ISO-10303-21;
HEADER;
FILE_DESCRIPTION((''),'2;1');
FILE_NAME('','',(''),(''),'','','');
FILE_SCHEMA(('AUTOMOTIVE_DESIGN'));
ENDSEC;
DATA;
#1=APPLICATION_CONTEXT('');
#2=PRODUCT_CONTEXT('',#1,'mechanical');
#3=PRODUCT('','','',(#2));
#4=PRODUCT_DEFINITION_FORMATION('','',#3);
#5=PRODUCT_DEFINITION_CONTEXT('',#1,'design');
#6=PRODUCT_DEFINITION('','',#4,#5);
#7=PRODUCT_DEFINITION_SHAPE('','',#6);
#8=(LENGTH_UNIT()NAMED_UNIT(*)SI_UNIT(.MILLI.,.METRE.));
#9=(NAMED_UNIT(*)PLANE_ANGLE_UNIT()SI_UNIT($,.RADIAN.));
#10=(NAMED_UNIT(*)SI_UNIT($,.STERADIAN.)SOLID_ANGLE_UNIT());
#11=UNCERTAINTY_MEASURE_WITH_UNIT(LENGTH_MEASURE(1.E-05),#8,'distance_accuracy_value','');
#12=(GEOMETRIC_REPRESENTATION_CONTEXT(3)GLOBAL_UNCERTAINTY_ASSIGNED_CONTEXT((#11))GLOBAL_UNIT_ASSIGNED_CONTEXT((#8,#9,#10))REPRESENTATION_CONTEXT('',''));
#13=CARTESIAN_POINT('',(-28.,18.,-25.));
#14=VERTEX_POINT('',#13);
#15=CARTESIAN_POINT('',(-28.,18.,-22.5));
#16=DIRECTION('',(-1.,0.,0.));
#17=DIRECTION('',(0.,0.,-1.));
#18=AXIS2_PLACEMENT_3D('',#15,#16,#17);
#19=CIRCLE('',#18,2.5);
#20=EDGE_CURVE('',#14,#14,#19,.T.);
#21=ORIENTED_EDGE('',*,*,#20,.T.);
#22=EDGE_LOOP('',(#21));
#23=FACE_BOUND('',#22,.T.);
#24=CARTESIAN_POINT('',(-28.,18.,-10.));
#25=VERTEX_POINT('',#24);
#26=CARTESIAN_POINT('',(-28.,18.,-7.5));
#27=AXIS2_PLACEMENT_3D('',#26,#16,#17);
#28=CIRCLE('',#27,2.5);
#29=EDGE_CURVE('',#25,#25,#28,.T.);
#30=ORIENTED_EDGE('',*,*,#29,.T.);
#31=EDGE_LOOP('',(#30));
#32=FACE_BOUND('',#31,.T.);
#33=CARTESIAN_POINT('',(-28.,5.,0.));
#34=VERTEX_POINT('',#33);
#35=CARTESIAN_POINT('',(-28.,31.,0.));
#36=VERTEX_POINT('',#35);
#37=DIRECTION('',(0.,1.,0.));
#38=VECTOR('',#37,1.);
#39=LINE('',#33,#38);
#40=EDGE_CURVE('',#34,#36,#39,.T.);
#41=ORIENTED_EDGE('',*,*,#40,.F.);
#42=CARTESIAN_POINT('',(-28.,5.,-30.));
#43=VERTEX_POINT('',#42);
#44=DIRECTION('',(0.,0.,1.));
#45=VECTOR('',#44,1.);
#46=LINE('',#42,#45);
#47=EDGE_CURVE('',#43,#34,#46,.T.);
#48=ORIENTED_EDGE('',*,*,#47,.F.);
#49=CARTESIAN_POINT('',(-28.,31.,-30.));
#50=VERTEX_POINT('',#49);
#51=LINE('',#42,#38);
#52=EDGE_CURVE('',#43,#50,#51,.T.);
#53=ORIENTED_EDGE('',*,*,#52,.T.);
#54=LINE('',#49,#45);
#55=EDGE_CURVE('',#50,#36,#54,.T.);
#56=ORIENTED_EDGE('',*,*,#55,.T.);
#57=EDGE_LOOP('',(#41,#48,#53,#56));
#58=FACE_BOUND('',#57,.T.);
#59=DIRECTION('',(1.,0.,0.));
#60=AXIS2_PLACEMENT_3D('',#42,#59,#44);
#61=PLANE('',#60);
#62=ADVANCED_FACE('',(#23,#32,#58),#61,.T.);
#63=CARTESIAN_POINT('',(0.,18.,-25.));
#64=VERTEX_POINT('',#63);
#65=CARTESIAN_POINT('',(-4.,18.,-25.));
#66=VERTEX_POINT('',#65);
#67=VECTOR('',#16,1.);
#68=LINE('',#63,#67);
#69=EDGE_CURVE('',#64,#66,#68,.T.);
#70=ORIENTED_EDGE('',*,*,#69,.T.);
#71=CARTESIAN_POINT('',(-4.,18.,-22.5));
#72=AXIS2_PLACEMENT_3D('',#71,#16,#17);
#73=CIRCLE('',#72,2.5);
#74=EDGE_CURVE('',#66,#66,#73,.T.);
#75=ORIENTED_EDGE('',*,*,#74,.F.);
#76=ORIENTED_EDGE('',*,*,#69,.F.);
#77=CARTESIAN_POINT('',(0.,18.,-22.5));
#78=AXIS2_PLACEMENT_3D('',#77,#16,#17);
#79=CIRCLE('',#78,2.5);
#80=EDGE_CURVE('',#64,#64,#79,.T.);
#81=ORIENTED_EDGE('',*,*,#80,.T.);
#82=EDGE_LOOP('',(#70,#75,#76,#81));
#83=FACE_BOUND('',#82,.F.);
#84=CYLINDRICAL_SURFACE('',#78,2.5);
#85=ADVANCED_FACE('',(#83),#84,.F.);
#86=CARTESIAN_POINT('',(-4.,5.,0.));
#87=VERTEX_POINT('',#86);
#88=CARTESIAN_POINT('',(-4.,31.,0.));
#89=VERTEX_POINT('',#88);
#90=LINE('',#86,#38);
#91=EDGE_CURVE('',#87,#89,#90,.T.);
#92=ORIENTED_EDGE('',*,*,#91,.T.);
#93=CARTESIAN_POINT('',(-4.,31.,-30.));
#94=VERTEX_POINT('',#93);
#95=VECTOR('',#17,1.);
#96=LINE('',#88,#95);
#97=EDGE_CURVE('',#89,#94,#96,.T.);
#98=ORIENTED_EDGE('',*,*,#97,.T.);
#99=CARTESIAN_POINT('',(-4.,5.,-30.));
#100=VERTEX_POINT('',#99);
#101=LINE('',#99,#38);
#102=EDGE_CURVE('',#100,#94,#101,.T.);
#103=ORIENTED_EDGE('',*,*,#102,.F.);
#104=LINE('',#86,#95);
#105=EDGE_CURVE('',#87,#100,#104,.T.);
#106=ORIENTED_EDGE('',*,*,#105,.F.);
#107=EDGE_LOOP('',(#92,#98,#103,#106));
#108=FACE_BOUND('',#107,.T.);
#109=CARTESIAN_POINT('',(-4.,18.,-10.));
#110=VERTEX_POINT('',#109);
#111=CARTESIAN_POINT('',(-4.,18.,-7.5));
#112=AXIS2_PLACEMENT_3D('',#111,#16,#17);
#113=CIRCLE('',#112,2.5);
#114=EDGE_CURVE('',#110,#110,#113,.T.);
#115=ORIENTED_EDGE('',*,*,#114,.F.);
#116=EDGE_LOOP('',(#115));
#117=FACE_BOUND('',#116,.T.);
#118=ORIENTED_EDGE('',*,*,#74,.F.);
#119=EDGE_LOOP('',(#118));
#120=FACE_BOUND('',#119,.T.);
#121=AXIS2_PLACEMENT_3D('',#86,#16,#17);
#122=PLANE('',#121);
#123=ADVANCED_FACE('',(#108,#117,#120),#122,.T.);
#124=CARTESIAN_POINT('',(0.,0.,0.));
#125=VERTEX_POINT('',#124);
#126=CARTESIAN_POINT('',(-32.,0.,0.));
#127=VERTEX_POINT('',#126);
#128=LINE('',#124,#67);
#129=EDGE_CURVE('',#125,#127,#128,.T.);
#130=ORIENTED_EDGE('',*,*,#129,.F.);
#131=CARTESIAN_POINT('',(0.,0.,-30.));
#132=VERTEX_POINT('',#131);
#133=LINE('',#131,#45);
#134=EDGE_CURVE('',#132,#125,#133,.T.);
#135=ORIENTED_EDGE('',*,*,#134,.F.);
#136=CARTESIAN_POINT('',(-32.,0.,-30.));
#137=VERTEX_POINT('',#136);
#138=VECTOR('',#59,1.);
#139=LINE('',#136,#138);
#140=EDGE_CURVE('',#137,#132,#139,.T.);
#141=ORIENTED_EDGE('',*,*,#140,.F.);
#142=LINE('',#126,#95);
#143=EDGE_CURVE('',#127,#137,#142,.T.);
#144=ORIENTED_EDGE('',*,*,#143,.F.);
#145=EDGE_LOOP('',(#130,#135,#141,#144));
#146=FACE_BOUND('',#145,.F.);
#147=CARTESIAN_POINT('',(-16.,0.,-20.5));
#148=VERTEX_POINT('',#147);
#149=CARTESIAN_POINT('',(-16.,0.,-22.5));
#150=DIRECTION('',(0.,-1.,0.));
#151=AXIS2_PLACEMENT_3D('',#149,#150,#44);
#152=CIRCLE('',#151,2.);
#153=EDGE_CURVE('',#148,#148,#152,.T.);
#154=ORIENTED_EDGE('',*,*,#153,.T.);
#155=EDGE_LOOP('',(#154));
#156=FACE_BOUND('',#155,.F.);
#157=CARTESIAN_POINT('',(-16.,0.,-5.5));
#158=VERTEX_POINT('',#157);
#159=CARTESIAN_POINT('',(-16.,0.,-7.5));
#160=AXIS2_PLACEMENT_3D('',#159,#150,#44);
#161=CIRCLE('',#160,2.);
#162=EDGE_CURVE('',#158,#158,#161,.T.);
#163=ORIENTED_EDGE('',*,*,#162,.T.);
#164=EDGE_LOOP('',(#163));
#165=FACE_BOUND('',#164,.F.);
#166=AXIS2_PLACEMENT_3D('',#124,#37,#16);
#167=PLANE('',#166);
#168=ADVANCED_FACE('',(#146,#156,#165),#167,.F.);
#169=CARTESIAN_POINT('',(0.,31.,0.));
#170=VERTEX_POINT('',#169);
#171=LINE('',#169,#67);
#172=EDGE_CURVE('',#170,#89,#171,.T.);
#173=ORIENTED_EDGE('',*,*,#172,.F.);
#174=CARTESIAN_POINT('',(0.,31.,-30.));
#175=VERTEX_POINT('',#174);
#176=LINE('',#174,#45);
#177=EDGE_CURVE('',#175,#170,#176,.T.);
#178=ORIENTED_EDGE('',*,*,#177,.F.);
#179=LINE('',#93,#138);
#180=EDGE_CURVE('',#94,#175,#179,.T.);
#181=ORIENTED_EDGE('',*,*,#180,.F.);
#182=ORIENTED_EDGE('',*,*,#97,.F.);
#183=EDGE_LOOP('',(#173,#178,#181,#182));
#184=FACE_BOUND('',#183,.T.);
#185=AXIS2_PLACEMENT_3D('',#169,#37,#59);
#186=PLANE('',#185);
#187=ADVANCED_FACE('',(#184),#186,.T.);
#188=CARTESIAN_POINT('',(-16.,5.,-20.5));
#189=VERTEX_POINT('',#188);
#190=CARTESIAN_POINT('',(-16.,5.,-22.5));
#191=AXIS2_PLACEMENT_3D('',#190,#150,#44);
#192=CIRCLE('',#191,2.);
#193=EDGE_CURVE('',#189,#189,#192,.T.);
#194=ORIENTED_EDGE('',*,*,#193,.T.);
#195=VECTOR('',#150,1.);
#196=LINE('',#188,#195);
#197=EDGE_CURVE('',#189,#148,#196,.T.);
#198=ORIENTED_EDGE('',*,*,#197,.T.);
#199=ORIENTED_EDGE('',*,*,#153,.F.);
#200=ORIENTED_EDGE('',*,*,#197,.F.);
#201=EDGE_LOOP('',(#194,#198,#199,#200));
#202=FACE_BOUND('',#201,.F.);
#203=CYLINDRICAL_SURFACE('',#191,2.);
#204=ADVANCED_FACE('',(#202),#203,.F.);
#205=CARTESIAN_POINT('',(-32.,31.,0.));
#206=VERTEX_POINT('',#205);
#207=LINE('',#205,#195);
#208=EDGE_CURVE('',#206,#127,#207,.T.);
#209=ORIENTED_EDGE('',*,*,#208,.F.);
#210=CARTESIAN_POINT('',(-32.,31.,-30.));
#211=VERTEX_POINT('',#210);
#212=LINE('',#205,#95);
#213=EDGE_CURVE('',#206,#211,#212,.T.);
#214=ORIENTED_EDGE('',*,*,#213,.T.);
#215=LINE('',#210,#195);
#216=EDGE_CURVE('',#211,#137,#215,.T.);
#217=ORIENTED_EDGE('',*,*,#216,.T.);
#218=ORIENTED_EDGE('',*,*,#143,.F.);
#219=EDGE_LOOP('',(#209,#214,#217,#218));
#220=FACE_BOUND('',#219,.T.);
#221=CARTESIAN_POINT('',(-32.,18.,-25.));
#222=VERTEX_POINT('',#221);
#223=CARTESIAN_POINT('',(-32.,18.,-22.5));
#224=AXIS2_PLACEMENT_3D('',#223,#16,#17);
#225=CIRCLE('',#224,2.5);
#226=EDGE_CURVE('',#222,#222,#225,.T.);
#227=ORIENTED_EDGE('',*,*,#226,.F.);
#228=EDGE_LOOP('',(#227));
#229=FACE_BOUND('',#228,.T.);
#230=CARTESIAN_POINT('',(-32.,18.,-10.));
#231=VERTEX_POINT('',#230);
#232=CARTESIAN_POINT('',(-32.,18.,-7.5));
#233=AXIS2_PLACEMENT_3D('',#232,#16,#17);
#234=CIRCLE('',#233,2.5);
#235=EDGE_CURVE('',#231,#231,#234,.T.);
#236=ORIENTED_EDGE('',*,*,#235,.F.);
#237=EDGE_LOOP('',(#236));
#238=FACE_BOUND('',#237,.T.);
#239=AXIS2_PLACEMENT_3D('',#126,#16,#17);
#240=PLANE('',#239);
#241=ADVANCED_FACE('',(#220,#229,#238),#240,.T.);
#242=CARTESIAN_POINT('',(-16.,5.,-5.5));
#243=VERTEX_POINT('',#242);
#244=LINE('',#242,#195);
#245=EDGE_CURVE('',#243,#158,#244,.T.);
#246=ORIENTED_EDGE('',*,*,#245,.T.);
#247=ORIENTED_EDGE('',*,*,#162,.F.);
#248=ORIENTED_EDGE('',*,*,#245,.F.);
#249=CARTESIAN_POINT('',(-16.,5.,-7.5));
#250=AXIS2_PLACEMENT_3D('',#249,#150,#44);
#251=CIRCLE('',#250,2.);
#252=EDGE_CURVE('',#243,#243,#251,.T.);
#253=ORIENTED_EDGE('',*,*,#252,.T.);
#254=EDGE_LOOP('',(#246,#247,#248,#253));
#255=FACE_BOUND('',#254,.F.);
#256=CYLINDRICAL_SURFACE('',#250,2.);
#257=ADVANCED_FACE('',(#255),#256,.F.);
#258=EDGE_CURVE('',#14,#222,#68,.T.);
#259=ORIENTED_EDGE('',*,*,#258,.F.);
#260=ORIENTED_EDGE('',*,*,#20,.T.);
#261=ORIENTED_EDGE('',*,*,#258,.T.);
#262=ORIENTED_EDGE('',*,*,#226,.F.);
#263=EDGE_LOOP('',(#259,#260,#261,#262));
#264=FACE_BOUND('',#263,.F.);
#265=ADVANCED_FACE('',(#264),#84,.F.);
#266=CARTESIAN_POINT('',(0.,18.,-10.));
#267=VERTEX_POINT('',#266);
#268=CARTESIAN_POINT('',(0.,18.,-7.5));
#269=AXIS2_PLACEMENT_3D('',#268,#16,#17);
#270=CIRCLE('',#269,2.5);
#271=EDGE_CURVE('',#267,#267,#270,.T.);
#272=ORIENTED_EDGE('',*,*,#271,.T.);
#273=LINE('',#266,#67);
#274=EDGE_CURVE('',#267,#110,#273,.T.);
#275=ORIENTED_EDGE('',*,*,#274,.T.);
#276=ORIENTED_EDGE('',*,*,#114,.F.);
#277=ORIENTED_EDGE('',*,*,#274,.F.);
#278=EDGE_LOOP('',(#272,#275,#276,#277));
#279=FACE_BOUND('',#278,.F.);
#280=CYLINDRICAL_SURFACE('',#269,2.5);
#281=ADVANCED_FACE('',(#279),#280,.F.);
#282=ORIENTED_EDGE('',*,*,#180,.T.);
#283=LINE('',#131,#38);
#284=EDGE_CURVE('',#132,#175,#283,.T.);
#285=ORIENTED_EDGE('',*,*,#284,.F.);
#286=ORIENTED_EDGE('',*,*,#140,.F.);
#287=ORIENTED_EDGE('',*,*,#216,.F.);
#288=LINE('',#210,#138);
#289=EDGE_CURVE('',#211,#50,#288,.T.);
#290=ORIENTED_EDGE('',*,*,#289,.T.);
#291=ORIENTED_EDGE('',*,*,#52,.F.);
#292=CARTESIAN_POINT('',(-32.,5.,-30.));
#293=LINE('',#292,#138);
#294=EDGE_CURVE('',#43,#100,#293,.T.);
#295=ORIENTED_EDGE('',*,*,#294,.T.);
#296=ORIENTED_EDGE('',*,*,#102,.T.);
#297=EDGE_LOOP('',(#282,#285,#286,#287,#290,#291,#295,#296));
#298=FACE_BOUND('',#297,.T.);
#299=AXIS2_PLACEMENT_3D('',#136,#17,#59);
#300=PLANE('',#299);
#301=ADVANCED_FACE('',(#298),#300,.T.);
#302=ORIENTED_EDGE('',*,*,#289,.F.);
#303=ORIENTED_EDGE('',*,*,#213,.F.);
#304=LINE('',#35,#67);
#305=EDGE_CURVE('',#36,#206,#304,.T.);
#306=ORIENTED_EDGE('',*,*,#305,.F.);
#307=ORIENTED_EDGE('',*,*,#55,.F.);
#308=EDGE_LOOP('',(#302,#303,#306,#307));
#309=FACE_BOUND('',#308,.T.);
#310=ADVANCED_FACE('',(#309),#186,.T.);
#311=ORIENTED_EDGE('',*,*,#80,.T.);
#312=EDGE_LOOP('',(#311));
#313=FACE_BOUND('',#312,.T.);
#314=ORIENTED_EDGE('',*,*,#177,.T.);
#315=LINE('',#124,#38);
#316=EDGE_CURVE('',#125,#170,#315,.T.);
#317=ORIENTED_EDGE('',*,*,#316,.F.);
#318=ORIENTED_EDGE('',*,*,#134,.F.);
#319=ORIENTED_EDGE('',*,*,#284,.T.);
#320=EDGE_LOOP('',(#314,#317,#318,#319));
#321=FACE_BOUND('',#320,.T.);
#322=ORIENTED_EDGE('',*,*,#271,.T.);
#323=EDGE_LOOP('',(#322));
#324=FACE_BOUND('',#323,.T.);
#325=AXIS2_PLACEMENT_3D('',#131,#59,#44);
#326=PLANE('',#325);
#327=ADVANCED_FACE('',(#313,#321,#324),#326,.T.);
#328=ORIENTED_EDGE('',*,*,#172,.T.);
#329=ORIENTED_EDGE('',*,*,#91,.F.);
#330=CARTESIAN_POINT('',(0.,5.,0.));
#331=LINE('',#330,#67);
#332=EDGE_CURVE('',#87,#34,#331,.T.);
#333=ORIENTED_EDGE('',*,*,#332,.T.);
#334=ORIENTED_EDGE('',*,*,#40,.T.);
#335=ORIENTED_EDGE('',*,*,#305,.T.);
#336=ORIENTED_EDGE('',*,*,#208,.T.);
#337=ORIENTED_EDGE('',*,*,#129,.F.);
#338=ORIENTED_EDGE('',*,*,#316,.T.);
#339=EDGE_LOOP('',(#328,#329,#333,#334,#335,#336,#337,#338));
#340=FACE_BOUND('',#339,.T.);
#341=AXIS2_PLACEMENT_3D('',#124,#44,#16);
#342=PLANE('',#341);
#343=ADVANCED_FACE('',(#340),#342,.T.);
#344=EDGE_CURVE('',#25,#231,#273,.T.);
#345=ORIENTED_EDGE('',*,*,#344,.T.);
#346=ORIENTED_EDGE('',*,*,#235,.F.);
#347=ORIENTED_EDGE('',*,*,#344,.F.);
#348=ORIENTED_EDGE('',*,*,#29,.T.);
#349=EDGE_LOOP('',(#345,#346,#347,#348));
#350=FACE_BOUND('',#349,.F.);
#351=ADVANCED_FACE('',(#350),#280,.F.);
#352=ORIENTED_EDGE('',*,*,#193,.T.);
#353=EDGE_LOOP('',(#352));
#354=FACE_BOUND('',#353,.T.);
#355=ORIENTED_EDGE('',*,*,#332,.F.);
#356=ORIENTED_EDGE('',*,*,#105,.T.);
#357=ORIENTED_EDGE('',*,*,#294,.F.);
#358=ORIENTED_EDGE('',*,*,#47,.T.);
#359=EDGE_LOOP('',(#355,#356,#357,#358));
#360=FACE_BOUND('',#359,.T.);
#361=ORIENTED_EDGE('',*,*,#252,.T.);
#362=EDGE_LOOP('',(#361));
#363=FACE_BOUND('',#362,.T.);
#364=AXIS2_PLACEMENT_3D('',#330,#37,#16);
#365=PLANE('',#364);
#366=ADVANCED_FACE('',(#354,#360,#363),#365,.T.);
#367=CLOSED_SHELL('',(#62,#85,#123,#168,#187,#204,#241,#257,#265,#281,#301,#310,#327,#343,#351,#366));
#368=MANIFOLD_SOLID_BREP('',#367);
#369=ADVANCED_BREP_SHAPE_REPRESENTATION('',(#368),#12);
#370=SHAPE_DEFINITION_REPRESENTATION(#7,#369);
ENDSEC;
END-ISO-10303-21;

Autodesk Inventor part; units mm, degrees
ref_plane "YZ Plane" through (0, 0, 0) normal (1, 0, 0) x (0, 1, 0)
ref_plane "XZ Plane" through (0, 0, 0) normal (0, 1, 0) x (-1, 0, 0)
ref_plane "XY Plane" through (0, 0, 0) normal (0, 0, 1) x (1, 0, 0)
sketch "Esboço1" plane through (0, 0, 0) normal (0, 1, 0) x (-1, 0, 0)
  line L0 (0, 0) -> (32, 0)
  line L1 (32, 0) -> (32, -30)
  line L2 (32, -30) -> (0, -30)
  line L3 (0, -30) -> (0, 0)
  dimension "d0" = 32
  dimension "d1" = 30
extrude "Extrusion1" add sketch "Esboço1" along normal blind 5
sketch "Sketch4" plane through (0, 5, 0) normal (0, 1, 0) x (1, 0, 0)
  line L0 (-32, 30) -> (-28, 30)
  line L1 (-28, 30) -> (-28, 0)
  line L2 (-28, 0) -> (-32, 0)
  line L3 (-32, 0) -> (-32, 30)
  line L4 (-4, 30) -> (0, 30)
  line L5 (0, 30) -> (0, 0)
  line L6 (0, 0) -> (-4, 0)
  line L7 (-4, 0) -> (-4, 30)
  dimension "d59" = 24
extrude "Extrusion2" add sketch "Sketch4" along normal blind 26
sketch "Sketch5" plane through (0, 0, 0) normal (1, 0, 0) x (0, 0, -1)
  line L0 (0, 0) -> (0, 31) projected
  line L1 (30, 0) -> (30, 31) projected
  line L2 (0, 31) -> (30, 31) projected
  point P0 (7.5, 18)
  point P1 (22.5, 18)
  dimension "d30" = 7.5
  dimension "d31" = 7.5
  dimension "d32" = 13
  dimension "d33" = 13
hole "Hole2" at (0, 18, -7.5) at (0, 18, -22.5) direction (-1, 0, 0) diameter 5 end through all
sketch "Esboço6" plane through (0, 5, 0) normal (0, 1, 0) x (1, 0, 0)
  line L0 (-4, 30) -> (-28, 30) projected
  line L1 (-28, 0) -> (-28, 30) projected
  line L2 (-32, 30) -> (-32, 0) projected
  line L3 (-4, 30) -> (-4, 0) projected
  point P0 (0, 0)
  point P1 (-16, 22.5)
  point P2 (-16, 7.5)
  dimension "d43" = 15
  dimension "d45" = 24
  dimension "d48" = 30
  dimension "d57" = 12
  dimension "d58" = 7.5
hole "Furo3" at (-16, 5, -22.5) at (-16, 5, -7.5) direction (0, -1, 0) diameter 4 depth 5
equation "\"d31\" = d30"
equation "\"d33\" = d32"
equation "\"d39\" = Espessura"
equation "\"d57\" = 0.5 * d45"
equation "\"d58\" = -0.5 * d43 + 0.5 * d48"
equation "\"d55\" = Espessura"
equation "\"Raio_vergadura\" = Espessura"
equation "\"Largura_alívio_de_vergadura\" = Espessura"
equation "\"Profundidade_alívio_de_vergadura\" = 0.5 * Espessura"
equation "\"Raiodetransição\" = Raio_vergadura"
equation "\"Tamanho_de_raio_de_Jacobi\" = Raio_vergadura"
equation "\"TamanhoFolga\" = Espessura"
equation "\"Espessura\" = 5"
properties part number "Suporte da célula de carga" material "Aço galvanizado"
